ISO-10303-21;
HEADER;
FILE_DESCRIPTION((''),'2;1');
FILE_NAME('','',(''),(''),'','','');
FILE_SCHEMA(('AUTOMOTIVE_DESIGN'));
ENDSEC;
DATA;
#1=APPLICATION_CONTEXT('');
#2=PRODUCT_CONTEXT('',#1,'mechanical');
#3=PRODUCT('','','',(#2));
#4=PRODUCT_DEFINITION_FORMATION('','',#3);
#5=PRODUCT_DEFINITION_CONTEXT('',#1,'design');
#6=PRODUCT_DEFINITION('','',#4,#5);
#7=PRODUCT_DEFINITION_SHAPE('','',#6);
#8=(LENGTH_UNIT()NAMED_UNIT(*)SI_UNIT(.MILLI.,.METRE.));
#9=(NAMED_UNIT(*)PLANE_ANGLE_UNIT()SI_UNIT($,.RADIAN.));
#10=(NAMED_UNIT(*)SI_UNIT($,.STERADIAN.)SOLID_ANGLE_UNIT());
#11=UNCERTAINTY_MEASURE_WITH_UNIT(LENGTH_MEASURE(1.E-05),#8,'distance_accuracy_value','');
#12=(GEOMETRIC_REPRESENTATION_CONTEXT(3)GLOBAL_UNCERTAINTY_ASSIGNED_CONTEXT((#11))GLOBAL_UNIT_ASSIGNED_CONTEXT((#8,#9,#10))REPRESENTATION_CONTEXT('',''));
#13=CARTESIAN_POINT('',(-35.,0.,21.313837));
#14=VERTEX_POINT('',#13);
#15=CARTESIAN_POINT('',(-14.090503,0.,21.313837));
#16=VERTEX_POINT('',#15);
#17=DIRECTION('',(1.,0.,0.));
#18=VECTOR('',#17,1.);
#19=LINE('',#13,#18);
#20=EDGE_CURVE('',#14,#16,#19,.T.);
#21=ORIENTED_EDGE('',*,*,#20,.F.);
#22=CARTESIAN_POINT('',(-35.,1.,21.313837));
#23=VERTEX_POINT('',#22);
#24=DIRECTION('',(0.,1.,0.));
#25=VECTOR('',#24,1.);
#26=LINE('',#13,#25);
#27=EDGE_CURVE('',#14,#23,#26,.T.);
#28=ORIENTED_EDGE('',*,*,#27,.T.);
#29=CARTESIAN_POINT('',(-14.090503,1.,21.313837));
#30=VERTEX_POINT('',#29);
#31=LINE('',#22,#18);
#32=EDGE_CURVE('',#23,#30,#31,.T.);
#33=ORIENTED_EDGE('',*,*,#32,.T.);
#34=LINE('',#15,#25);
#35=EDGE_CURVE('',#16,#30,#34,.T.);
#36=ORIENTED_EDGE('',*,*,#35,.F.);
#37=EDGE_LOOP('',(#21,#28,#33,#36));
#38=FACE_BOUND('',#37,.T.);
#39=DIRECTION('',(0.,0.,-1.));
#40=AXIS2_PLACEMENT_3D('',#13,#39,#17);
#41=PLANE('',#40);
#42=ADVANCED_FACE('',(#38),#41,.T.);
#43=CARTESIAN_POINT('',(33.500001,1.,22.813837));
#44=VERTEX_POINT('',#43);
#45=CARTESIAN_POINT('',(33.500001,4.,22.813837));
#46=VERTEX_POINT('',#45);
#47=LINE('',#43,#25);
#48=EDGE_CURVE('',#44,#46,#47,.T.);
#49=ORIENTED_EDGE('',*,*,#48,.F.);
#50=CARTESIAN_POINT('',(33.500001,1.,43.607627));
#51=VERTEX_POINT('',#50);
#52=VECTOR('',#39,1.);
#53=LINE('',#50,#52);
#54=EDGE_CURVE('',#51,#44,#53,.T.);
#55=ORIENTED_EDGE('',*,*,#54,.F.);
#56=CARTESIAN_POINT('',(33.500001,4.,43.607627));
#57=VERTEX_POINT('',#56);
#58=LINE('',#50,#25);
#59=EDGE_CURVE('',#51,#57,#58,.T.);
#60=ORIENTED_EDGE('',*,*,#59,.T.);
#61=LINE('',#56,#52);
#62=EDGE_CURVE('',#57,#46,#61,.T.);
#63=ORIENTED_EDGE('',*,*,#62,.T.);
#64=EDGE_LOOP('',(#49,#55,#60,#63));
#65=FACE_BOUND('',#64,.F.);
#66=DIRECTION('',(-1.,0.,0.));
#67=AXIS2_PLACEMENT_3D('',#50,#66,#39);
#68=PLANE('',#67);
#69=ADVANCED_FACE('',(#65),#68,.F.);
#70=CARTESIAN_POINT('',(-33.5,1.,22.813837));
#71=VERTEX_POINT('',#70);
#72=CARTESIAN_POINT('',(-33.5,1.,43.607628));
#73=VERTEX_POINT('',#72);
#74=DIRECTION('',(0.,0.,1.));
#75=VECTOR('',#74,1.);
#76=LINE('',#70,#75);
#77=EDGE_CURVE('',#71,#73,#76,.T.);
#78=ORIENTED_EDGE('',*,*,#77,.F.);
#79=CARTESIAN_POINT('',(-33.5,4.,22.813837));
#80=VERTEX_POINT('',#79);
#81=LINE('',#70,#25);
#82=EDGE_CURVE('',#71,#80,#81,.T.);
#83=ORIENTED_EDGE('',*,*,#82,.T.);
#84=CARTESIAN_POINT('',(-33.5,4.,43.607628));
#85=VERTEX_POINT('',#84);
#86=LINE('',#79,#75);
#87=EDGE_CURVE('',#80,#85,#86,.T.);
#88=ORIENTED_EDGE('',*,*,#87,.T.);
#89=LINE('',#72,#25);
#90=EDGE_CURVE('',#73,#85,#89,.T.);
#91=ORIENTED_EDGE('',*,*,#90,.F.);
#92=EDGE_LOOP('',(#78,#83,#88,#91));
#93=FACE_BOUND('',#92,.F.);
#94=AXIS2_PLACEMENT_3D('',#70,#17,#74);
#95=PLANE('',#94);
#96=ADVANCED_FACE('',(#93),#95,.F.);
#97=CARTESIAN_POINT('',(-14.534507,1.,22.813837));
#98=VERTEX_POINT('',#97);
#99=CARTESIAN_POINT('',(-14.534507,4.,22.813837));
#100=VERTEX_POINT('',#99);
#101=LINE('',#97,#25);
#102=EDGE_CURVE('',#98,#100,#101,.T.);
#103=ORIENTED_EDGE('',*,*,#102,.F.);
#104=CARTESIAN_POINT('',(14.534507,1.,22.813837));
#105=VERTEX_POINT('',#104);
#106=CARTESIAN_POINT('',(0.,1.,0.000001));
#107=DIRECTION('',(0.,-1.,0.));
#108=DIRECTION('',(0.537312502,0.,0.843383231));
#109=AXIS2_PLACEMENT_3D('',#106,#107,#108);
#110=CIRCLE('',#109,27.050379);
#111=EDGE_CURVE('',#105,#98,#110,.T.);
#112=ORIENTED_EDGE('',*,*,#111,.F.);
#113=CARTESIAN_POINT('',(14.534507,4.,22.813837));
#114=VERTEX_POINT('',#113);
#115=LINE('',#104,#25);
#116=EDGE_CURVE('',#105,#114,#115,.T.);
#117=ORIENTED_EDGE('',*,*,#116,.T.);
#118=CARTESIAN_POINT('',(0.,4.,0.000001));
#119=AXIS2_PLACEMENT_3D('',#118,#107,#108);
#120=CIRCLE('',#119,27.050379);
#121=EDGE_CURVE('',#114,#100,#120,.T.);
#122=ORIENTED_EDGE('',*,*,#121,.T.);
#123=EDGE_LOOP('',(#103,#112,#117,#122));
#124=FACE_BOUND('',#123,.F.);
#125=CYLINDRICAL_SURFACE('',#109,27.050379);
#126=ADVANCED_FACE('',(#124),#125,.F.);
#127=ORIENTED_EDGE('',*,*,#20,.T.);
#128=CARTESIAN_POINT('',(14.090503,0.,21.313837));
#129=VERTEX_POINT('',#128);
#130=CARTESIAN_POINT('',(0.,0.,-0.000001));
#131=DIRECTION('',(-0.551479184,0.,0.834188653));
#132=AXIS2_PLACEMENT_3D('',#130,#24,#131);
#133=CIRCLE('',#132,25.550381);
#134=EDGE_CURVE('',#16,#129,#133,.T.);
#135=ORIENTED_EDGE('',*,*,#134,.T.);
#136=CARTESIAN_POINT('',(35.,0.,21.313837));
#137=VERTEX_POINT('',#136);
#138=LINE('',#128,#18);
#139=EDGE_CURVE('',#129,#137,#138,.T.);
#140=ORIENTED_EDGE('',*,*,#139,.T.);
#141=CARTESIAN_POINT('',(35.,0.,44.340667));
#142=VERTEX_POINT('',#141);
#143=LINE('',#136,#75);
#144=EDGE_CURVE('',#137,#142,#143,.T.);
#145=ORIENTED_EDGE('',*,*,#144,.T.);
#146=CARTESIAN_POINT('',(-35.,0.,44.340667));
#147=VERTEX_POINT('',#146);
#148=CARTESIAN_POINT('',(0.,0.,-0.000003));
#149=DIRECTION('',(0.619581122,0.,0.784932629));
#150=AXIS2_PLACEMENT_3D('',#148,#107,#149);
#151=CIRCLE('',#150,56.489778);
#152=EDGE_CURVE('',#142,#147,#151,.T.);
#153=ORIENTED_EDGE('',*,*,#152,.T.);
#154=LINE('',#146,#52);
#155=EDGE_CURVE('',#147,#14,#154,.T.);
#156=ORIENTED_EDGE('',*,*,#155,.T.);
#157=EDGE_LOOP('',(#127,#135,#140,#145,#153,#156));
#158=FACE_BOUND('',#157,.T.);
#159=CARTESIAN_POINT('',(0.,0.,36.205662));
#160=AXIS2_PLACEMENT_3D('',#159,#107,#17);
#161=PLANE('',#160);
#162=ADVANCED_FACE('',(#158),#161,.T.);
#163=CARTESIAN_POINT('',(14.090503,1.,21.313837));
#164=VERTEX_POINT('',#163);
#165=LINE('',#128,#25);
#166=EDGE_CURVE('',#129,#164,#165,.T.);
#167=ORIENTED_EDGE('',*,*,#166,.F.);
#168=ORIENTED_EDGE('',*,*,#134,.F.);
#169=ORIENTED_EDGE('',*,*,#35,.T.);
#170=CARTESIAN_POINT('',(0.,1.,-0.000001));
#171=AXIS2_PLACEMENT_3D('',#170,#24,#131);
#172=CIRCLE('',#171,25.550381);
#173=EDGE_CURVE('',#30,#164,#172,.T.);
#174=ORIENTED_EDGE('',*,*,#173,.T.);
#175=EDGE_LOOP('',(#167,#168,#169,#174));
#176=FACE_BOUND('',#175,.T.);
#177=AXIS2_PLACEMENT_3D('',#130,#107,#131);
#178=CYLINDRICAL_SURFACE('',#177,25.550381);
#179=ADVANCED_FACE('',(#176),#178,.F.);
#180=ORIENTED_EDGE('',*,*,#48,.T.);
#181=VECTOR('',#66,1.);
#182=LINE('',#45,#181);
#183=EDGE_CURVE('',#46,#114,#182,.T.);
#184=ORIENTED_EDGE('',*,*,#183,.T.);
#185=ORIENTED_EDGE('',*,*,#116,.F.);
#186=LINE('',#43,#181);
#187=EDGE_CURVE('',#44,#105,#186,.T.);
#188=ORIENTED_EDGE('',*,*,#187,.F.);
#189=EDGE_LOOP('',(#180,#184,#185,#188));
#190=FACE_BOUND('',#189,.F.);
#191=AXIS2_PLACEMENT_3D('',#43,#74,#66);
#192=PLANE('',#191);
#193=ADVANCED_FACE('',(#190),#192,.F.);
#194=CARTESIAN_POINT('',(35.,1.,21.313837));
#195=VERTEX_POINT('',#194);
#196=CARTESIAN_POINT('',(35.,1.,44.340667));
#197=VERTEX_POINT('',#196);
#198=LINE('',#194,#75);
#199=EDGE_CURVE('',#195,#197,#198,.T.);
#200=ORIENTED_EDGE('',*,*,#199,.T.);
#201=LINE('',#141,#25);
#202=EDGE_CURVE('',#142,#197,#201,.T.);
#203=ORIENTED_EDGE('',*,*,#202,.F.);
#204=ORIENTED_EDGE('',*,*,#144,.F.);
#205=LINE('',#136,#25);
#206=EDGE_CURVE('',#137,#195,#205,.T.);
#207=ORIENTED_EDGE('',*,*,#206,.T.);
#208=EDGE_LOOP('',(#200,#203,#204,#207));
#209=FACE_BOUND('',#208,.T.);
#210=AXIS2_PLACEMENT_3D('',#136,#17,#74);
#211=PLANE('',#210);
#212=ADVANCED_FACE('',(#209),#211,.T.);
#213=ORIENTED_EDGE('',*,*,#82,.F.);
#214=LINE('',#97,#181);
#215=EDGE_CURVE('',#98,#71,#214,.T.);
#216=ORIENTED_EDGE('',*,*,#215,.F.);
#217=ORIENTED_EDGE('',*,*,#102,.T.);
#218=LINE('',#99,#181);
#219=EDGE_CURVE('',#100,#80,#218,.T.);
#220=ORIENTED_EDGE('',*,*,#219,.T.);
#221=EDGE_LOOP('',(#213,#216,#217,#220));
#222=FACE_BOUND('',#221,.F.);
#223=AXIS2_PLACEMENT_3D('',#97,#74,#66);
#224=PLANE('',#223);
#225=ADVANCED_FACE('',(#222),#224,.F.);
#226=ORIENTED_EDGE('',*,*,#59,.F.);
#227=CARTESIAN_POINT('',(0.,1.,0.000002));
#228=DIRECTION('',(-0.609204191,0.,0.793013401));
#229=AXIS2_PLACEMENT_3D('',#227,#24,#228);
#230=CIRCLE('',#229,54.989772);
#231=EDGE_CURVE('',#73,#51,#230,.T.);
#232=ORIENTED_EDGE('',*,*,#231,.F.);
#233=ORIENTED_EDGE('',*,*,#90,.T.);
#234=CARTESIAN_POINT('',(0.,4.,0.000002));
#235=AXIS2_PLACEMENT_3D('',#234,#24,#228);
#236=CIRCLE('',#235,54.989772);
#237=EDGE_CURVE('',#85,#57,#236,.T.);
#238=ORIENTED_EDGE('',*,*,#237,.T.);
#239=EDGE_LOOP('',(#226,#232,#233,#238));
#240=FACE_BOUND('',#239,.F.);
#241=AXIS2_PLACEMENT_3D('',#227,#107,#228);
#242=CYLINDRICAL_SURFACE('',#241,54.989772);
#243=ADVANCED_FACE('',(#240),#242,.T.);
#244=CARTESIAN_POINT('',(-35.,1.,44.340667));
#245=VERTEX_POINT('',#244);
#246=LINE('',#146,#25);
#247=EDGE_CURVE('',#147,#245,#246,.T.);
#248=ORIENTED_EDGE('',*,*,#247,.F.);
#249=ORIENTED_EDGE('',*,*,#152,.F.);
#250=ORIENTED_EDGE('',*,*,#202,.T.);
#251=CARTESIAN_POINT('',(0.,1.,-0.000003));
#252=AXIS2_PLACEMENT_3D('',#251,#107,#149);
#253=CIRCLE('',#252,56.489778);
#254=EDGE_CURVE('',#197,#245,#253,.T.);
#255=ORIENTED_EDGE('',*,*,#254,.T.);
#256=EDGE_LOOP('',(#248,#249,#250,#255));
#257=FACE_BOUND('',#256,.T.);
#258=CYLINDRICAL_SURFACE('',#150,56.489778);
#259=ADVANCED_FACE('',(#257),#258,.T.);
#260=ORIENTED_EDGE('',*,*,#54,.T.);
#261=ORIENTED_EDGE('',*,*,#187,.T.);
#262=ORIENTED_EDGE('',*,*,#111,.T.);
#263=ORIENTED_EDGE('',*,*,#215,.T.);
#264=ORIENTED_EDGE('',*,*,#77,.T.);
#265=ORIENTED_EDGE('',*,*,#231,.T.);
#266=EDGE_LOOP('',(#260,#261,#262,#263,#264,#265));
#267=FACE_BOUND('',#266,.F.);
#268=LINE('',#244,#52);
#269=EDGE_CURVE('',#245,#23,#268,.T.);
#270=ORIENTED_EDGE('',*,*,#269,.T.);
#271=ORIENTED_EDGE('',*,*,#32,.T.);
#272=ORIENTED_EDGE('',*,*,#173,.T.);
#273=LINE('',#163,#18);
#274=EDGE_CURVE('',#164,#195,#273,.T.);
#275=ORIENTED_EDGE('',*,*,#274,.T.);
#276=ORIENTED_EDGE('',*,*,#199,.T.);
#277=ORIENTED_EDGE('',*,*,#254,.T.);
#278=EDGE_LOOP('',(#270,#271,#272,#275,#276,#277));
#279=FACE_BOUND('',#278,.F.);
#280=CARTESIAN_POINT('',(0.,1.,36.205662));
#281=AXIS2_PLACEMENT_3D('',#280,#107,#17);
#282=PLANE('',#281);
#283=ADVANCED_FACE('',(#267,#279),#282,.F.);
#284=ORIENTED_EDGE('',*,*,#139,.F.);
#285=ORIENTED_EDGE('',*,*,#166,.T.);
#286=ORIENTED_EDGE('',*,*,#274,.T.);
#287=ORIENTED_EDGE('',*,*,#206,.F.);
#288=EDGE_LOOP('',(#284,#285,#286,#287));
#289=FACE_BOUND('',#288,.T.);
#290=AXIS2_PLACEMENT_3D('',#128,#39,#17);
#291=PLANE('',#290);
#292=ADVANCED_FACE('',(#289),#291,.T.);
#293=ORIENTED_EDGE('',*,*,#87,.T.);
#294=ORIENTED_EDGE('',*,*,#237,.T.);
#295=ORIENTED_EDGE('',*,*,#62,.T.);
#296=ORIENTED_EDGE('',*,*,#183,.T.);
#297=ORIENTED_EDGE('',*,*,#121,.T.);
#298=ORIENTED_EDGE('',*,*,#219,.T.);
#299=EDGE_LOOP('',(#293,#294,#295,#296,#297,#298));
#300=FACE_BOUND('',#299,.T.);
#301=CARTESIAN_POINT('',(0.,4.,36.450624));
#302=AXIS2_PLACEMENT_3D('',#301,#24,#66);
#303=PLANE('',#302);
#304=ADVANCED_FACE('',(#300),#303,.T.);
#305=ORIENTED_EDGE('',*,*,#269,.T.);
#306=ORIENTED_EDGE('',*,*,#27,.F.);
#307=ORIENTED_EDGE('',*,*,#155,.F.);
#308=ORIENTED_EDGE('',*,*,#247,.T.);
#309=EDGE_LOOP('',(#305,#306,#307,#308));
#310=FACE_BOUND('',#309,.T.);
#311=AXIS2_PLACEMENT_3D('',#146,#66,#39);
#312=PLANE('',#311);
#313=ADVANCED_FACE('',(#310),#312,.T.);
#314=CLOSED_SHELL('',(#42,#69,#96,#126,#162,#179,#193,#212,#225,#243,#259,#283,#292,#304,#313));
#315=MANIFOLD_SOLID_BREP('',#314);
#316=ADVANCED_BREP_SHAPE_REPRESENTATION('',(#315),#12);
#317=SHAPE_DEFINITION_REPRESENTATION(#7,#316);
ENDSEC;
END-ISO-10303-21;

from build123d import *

# Parameters (mm, degrees)
F1_DEPTH = 1
F3_DEPTH = 3


with BuildPart() as f1:
    # F0 (on Front) → F1 (new body)
    with BuildSketch(Plane.XZ):
        with BuildLine():
            Line((14.090503, 21.313837), (35, 21.313837))
            Line((35, 21.313837), (35, 44.340667))
            ThreePointArc((35, 44.340667), (0, 56.489775), (-35, 44.340667))
            Line((-35, 44.340667), (-35, 21.313837))
            Line((-35, 21.313837), (-14.090503, 21.313837))
            ThreePointArc((-14.090503, 21.313837), (0, 25.55038), (14.090503, 21.313837))
        make_face()
    extrude(amount=-F1_DEPTH)

    # F2 (on face) → F3 (join)
    with BuildSketch(Plane(origin=(0, 1, 0), x_dir=(-1, 0, 0), z_dir=(0, 1, 0))):
        with BuildLine():
            ThreePointArc((33.5, 43.607628), (-1e-06, 54.989774), (-33.500001, 43.607627))
            Line((-33.500001, 43.607627), (-33.500001, 22.813837))
            Line((-33.500001, 22.813837), (-14.534507, 22.813837))
            ThreePointArc((-14.534507, 22.813837), (0, 27.05038), (14.534507, 22.813837))
            Line((14.534507, 22.813837), (33.5, 22.813837))
            Line((33.5, 22.813837), (33.5, 43.607628))
        make_face()
    extrude(amount=F3_DEPTH)


solid = f1.part
